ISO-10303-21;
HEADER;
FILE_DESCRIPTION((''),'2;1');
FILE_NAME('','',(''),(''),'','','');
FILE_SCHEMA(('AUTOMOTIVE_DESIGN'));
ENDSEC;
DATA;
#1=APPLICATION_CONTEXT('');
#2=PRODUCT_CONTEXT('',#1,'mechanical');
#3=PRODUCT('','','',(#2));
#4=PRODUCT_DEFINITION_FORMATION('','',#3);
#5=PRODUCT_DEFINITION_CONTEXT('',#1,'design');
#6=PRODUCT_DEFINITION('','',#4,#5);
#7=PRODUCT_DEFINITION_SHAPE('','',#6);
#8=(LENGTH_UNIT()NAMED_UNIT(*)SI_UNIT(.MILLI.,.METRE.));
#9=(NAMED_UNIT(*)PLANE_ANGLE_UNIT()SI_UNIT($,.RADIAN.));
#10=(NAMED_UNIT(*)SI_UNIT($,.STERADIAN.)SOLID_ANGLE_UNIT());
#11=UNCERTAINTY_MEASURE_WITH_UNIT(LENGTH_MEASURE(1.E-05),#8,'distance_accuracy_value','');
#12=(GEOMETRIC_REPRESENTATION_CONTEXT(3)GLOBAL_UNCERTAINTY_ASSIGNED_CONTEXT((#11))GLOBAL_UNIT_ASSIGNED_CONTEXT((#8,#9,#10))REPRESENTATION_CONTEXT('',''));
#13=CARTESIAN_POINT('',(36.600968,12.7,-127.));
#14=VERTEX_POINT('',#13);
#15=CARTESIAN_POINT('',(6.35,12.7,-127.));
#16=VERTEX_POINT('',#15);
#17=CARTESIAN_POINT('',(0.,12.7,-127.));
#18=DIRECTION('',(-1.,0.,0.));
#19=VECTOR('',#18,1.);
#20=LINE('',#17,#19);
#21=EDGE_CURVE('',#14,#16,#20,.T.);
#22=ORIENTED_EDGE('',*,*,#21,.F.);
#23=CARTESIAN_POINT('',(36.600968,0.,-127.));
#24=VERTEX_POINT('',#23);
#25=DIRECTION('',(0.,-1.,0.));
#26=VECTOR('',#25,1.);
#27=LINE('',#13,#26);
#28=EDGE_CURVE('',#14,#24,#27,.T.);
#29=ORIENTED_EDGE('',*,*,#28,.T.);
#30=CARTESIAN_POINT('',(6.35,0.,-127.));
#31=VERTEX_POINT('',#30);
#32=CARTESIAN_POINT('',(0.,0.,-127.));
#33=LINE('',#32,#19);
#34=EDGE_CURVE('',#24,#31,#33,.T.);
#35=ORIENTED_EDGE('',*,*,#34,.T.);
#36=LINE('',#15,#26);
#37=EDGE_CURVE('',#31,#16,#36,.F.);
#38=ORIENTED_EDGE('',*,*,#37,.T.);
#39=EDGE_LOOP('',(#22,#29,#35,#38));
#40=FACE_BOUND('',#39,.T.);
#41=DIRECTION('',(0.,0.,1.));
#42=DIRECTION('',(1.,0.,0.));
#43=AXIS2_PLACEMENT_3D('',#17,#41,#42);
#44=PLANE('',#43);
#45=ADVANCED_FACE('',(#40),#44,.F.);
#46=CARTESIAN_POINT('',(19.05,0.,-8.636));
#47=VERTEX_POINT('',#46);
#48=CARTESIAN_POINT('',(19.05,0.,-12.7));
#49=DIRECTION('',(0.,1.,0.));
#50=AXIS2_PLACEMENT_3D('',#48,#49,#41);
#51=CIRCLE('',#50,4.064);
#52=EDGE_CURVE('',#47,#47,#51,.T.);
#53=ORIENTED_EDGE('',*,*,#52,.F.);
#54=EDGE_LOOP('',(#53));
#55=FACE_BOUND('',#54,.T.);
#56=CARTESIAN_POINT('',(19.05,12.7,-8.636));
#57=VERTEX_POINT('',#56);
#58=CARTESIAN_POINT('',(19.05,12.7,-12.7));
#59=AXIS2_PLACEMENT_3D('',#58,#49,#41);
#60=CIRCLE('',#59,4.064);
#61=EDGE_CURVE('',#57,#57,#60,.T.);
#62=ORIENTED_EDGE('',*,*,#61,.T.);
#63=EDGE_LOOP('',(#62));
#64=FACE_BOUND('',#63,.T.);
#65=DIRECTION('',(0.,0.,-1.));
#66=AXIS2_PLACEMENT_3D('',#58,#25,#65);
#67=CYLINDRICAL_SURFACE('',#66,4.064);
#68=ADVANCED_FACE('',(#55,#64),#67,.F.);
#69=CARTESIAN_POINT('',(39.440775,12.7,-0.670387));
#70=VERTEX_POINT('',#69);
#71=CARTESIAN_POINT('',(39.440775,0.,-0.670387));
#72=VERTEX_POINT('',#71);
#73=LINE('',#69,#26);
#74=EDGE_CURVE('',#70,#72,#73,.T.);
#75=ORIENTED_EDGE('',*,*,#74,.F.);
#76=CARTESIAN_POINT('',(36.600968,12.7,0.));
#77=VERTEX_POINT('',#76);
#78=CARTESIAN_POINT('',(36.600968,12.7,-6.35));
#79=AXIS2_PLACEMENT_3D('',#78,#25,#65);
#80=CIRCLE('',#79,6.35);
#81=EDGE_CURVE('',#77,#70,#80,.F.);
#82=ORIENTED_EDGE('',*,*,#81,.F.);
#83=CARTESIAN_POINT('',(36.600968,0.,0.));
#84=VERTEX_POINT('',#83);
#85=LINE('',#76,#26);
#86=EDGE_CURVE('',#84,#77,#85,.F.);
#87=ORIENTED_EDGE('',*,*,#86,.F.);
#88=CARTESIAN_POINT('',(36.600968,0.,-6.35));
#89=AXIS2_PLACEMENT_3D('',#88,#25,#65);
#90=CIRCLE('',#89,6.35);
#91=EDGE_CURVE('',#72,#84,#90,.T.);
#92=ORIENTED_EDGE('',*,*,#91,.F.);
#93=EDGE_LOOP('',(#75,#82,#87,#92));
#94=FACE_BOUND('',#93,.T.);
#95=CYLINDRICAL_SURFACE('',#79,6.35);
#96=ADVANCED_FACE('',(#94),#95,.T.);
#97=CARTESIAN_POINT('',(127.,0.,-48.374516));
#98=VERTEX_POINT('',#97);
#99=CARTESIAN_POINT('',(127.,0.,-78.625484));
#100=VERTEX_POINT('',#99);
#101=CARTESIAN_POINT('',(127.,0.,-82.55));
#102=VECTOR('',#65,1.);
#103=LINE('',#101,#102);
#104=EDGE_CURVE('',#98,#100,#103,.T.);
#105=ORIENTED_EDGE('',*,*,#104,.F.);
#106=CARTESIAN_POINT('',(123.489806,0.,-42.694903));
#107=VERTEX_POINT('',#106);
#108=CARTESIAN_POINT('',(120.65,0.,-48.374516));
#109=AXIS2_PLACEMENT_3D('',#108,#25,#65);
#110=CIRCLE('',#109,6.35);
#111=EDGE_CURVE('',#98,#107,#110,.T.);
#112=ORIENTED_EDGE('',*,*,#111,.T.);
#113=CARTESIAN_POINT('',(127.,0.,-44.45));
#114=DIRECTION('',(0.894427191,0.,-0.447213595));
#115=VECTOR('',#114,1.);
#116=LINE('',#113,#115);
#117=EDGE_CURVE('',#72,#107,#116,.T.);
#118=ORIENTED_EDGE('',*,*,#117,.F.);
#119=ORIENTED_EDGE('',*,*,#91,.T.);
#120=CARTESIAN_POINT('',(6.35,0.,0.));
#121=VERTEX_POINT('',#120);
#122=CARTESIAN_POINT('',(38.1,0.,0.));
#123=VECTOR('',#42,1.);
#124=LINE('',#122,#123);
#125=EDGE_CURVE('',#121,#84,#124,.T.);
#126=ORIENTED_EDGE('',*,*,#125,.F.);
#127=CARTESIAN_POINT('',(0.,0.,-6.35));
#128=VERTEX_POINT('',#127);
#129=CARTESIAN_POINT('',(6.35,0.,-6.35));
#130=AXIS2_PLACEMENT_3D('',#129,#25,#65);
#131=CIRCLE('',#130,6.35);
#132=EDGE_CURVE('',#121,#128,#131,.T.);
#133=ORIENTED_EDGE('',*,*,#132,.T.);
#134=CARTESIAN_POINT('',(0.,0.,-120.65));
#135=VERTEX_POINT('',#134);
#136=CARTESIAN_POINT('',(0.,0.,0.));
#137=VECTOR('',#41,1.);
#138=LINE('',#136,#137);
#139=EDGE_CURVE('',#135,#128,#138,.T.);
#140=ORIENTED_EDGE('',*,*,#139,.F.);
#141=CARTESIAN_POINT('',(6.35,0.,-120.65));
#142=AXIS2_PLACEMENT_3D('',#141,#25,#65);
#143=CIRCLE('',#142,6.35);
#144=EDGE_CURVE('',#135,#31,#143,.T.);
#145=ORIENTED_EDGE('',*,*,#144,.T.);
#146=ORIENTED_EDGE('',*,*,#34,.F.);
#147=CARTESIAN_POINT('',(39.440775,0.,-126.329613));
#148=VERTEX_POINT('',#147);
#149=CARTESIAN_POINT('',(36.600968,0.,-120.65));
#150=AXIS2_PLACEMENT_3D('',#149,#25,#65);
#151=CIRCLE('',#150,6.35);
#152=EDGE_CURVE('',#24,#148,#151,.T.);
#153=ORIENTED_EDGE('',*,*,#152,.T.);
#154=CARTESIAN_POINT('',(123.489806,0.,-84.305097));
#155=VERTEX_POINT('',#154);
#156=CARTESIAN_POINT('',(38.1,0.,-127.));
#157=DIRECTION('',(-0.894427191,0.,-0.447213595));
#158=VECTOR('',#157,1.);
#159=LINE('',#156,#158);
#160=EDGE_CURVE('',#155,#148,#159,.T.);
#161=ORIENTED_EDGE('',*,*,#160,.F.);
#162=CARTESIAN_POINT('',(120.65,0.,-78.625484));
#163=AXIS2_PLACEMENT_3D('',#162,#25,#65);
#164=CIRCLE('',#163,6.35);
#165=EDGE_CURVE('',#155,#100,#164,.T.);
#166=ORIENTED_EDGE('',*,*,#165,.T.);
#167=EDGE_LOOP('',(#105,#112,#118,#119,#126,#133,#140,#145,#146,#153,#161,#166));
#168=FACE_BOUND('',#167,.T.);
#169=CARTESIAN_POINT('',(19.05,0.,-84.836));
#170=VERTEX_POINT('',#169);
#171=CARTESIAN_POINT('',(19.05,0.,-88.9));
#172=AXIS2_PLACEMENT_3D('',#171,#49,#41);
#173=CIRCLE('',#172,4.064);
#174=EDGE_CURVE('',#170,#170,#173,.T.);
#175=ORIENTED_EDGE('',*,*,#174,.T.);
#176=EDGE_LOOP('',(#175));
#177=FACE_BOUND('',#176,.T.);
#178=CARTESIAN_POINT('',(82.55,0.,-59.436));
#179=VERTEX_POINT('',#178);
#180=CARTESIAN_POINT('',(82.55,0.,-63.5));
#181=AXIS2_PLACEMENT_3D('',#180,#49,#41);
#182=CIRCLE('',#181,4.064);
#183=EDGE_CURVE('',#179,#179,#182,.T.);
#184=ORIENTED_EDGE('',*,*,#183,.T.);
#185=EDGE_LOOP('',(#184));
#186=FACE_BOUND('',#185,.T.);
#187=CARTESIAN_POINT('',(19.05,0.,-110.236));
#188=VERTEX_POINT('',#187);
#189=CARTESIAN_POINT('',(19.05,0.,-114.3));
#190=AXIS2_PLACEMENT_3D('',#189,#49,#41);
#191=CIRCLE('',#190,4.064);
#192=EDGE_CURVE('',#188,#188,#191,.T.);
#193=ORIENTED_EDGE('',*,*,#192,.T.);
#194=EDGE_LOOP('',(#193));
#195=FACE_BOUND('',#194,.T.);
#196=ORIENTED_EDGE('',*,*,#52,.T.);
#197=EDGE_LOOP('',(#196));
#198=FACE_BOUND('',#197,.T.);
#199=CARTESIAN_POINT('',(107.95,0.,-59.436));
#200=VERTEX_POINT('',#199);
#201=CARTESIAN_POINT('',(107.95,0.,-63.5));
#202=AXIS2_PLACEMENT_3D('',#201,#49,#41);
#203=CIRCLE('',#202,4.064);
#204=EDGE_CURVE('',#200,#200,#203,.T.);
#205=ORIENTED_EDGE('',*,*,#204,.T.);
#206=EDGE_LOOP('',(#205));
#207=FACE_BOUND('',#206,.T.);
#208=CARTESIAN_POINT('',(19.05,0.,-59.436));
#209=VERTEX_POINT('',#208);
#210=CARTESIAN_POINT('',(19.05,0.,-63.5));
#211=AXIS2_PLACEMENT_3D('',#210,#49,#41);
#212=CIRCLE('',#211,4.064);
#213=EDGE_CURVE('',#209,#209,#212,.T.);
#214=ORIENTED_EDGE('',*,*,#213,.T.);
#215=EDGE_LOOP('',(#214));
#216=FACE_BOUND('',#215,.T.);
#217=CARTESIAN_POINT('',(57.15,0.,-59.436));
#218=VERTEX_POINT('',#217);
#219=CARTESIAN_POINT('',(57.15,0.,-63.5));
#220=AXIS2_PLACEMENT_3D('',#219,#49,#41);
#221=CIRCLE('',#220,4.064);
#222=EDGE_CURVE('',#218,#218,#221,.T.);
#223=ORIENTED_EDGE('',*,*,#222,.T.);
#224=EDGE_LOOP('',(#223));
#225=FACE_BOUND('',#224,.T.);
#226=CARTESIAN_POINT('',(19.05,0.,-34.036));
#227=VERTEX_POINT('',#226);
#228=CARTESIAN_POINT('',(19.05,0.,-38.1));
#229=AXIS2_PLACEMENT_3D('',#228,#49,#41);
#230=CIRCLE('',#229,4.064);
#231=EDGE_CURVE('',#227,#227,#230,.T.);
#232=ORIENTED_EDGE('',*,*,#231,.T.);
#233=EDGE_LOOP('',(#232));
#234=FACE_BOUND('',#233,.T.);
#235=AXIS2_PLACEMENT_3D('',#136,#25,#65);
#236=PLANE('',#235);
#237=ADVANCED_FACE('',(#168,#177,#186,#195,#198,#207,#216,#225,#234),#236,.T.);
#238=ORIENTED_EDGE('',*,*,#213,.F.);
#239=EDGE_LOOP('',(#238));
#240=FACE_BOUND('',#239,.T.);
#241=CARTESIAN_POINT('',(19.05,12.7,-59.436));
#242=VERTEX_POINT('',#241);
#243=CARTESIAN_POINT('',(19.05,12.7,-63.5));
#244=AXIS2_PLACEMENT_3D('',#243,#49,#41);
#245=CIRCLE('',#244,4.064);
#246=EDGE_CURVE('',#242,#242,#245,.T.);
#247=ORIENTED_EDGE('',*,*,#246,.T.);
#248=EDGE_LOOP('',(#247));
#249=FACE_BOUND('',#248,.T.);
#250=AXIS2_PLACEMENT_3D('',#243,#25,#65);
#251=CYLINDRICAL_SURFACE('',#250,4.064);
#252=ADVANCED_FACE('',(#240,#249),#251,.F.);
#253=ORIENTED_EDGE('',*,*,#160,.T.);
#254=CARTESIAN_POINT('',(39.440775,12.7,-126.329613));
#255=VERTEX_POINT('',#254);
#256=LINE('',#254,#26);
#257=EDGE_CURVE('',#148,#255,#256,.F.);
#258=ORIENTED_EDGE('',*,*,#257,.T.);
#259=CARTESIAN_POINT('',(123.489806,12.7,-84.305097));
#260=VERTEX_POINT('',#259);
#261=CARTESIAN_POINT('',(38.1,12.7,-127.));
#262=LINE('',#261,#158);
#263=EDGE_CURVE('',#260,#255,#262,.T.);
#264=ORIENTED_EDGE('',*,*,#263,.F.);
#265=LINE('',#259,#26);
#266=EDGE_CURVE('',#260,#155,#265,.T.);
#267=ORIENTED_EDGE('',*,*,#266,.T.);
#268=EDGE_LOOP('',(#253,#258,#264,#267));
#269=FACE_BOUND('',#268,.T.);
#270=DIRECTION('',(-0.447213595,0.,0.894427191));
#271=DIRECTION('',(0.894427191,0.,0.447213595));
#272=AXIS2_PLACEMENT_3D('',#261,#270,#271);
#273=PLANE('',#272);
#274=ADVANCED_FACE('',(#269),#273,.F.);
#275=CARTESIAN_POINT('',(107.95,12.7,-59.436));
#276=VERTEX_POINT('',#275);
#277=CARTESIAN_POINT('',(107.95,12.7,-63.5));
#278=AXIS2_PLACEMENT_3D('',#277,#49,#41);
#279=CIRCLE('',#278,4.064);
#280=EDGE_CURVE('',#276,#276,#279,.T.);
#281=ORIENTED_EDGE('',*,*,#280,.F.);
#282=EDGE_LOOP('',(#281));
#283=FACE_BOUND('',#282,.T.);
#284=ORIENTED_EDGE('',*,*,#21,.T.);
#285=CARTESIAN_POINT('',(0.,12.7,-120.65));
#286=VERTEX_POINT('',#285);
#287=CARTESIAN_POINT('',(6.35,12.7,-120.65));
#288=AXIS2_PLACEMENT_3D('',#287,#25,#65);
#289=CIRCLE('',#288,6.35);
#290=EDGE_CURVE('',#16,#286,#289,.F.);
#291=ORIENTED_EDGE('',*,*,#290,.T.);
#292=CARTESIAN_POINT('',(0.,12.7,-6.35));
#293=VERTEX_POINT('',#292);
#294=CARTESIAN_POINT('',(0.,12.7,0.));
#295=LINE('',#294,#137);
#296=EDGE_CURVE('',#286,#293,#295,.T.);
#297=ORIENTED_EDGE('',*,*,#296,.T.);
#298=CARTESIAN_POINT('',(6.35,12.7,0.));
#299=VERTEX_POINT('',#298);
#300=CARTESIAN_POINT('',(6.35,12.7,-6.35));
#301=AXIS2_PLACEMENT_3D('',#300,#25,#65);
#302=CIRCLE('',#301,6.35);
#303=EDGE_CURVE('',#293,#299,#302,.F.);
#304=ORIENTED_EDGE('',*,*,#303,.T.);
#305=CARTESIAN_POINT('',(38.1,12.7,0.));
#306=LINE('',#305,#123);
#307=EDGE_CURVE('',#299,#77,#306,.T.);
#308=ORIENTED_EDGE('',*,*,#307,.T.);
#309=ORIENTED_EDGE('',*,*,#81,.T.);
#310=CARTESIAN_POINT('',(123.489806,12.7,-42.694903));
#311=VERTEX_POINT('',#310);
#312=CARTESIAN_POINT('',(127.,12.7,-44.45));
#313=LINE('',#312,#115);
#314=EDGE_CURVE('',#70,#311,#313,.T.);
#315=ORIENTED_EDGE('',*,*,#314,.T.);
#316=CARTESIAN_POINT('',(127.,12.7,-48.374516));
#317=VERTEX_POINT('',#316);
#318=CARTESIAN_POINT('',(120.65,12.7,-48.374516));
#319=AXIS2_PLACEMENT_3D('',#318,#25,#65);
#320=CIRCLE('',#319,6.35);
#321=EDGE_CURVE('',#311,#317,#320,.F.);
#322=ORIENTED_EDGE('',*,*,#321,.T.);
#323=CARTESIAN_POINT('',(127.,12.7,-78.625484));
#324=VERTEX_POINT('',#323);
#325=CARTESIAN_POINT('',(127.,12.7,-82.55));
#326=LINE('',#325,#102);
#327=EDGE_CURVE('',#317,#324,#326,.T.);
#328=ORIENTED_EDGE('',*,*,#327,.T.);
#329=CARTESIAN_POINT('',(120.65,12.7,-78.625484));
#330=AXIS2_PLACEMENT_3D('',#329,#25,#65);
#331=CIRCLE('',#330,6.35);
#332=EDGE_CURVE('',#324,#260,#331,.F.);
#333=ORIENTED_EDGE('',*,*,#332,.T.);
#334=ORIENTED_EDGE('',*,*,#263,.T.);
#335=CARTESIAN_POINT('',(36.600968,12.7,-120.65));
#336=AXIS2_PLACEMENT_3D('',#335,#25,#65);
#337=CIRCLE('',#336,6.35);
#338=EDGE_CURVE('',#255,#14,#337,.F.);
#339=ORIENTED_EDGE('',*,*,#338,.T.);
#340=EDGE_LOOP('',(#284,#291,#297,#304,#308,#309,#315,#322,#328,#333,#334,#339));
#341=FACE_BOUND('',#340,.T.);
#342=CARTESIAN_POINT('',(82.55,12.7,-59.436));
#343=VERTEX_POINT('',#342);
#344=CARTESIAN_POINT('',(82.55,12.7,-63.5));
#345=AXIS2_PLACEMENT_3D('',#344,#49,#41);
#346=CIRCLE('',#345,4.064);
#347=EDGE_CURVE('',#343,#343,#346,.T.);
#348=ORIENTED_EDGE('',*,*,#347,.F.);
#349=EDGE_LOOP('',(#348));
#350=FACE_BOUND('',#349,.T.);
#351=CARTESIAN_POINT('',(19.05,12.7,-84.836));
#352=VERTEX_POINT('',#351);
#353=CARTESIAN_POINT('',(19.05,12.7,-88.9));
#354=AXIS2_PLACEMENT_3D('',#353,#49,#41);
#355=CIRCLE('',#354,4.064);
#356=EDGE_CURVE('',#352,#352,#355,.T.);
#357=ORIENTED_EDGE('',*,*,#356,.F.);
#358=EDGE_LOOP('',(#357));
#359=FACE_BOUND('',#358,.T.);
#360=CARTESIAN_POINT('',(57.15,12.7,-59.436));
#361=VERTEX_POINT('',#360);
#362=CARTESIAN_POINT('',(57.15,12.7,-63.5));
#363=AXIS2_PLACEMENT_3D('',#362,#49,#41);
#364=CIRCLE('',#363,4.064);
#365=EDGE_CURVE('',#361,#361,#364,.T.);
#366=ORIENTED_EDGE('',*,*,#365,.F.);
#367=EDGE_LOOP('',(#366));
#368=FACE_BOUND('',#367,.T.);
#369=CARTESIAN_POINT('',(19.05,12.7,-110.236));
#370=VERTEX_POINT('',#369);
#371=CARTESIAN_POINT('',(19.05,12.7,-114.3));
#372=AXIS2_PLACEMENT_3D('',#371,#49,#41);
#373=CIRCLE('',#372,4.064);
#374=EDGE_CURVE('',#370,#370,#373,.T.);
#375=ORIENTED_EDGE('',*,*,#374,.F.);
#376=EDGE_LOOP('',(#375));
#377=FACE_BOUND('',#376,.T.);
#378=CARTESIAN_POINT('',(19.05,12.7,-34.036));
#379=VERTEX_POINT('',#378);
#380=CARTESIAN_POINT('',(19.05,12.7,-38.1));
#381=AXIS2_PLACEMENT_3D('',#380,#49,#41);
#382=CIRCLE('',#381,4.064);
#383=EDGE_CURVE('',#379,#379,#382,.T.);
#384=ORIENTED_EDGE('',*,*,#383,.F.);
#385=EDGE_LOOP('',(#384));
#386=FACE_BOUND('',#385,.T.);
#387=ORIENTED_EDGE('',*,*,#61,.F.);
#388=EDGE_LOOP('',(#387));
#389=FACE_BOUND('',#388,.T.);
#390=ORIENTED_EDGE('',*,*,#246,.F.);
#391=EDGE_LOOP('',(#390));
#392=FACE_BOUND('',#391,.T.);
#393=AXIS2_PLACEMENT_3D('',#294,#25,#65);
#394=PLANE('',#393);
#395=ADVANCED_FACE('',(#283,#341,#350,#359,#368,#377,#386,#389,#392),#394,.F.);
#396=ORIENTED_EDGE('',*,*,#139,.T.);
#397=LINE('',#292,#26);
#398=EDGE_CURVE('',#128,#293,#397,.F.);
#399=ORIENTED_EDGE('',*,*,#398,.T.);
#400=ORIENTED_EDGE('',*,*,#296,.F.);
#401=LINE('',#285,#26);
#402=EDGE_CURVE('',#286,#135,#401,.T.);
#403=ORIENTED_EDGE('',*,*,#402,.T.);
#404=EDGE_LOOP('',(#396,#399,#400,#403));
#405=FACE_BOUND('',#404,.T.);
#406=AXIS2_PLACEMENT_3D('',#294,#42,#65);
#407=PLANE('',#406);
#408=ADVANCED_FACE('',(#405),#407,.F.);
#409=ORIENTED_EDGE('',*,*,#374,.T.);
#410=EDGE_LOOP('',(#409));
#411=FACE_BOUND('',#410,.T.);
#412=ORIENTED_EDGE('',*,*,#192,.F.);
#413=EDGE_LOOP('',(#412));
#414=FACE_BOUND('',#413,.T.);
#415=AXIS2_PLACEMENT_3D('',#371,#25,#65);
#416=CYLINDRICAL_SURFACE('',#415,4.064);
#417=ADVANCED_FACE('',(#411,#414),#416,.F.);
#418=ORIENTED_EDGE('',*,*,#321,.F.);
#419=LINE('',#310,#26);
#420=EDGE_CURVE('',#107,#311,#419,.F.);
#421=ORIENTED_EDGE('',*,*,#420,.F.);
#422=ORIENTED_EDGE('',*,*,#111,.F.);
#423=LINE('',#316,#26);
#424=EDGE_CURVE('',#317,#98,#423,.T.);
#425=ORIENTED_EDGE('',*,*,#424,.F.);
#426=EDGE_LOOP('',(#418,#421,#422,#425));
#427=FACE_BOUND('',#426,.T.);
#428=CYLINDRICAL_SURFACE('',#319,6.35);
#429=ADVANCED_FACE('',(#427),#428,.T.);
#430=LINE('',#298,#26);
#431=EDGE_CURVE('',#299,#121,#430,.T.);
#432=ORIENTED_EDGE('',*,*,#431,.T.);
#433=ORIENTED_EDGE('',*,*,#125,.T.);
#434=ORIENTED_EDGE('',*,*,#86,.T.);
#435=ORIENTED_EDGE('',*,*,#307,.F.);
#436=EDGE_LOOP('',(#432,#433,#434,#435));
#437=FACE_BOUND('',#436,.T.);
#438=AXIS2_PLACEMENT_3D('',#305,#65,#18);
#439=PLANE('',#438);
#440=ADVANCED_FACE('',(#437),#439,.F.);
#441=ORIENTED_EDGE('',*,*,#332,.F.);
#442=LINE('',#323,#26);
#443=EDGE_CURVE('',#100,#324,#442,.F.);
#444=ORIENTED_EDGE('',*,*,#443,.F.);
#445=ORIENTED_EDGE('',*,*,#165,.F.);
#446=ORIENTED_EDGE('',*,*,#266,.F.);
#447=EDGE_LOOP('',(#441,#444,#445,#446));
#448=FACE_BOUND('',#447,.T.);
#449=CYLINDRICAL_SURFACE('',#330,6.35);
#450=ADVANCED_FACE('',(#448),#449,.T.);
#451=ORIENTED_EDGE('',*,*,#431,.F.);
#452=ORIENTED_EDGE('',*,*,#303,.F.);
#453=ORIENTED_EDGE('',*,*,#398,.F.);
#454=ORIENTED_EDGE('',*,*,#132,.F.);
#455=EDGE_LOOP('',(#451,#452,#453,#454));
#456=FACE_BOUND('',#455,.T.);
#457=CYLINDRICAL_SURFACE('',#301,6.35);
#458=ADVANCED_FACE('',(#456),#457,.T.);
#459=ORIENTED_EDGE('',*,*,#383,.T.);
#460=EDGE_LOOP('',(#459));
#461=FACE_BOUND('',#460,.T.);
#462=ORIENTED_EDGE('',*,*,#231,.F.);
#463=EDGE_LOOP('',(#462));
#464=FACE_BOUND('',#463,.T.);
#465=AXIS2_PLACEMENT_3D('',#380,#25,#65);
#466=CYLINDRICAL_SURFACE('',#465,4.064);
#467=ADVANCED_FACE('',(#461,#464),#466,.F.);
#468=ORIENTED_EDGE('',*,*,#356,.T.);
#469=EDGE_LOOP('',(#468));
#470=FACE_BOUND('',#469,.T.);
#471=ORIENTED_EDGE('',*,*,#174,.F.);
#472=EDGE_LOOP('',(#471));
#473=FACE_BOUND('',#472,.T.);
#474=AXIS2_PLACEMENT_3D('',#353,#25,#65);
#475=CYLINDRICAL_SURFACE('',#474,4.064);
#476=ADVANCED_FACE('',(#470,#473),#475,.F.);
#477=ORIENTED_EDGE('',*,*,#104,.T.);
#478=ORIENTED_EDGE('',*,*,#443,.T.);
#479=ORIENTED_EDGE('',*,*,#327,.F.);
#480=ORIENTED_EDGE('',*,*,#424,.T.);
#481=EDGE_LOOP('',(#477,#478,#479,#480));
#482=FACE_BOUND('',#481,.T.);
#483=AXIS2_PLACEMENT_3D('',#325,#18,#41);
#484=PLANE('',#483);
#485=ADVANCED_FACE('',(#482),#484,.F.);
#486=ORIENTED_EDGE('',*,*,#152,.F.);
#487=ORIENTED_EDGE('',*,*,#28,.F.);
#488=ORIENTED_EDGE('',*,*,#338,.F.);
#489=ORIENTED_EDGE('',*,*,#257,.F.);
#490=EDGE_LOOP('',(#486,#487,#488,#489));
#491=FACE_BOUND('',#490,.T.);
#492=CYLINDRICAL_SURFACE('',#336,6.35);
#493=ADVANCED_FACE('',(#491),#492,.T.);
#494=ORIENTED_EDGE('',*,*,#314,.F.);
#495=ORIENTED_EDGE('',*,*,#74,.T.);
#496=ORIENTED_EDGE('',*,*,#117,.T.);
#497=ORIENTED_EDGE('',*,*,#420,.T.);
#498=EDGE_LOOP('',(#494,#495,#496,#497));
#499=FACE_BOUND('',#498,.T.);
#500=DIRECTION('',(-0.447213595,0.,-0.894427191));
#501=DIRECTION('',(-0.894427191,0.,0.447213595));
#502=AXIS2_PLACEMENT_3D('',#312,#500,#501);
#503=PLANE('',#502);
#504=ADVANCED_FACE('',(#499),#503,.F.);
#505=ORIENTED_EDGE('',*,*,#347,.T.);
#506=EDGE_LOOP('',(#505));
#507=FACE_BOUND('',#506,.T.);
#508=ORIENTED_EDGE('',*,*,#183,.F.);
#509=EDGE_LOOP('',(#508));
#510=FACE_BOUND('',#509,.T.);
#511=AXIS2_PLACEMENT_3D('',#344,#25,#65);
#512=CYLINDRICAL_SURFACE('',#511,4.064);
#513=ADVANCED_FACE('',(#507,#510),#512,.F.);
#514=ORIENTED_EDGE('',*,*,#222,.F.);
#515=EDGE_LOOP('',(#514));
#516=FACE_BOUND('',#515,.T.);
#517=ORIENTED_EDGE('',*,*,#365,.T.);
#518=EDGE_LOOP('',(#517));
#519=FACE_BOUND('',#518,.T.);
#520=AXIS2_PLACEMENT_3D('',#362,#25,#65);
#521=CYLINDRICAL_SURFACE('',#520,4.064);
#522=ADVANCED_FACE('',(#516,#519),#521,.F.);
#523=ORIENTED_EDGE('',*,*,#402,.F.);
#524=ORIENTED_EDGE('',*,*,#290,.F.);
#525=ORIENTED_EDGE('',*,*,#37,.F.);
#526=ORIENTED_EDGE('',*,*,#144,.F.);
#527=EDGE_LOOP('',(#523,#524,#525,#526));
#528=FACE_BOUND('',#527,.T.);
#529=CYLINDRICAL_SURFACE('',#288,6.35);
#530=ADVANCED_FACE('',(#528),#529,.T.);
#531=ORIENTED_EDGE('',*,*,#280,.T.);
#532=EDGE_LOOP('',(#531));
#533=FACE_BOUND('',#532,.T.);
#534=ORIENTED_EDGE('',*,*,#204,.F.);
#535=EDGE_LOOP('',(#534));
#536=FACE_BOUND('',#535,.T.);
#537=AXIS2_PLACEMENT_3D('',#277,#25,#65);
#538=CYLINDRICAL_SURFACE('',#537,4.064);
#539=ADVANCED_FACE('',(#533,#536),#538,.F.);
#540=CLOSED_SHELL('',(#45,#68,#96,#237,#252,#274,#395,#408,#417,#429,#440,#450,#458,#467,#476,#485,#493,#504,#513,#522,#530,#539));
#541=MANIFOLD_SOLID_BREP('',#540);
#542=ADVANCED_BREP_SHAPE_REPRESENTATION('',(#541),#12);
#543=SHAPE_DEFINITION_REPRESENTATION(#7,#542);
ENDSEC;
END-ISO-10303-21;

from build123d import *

# Parameters (mm, degrees)
SKETCH1_R           = 4.064
BOSS_EXTRUDE1_DEPTH = 12.7
FILLET1_R           = 6.35


with BuildPart() as part:
    # Sketch1 → Boss-Extrude1 (new body)
    with BuildSketch(Plane(origin=(0, 0, 0), x_dir=(1, 0, 0), z_dir=(0, 1, 0))):
        Polygon((0, 0), (0, 127), (38.1, 127), (127, 82.55), (127, 44.45), (38.1, 0), align=None)
        with Locations(Location((19.05, 12.7, 0), (0, 0, 270))):
            Circle(SKETCH1_R, mode=Mode.SUBTRACT)
        with Locations(Location((19.05, 38.1, 0), (0, 0, 270))):
            Circle(SKETCH1_R, mode=Mode.SUBTRACT)
        with Locations(Location((19.05, 63.5, 0), (0, 0, 270))):
            Circle(SKETCH1_R, mode=Mode.SUBTRACT)
        with Locations(Location((19.05, 88.9, 0), (0, 0, 270))):
            Circle(SKETCH1_R, mode=Mode.SUBTRACT)
        with Locations(Location((19.05, 114.3, 0), (0, 0, 270))):
            Circle(SKETCH1_R, mode=Mode.SUBTRACT)
        with Locations(Location((107.95, 63.5, 0), (0, 0, 270))):
            Circle(SKETCH1_R, mode=Mode.SUBTRACT)
        with Locations(Location((82.55, 63.5, 0), (0, 0, 270))):
            Circle(SKETCH1_R, mode=Mode.SUBTRACT)
        with Locations(Location((57.15, 63.5, 0), (0, 0, 270))):
            Circle(SKETCH1_R, mode=Mode.SUBTRACT)
    extrude(amount=BOSS_EXTRUDE1_DEPTH)

    # Fillet1
    fillet1_edges = [part.edges().sort_by_distance(p)[0] for p in [
        (0, 6.35, 0),
        (0, 6.35, -127),
        (38.1, 6.35, -127),
        (127, 6.35, -82.55),
        (127, 6.35, -44.45),
        (38.1, 6.35, 0),
    ]]
    fillet(fillet1_edges, radius=FILLET1_R)


solid = part.part
